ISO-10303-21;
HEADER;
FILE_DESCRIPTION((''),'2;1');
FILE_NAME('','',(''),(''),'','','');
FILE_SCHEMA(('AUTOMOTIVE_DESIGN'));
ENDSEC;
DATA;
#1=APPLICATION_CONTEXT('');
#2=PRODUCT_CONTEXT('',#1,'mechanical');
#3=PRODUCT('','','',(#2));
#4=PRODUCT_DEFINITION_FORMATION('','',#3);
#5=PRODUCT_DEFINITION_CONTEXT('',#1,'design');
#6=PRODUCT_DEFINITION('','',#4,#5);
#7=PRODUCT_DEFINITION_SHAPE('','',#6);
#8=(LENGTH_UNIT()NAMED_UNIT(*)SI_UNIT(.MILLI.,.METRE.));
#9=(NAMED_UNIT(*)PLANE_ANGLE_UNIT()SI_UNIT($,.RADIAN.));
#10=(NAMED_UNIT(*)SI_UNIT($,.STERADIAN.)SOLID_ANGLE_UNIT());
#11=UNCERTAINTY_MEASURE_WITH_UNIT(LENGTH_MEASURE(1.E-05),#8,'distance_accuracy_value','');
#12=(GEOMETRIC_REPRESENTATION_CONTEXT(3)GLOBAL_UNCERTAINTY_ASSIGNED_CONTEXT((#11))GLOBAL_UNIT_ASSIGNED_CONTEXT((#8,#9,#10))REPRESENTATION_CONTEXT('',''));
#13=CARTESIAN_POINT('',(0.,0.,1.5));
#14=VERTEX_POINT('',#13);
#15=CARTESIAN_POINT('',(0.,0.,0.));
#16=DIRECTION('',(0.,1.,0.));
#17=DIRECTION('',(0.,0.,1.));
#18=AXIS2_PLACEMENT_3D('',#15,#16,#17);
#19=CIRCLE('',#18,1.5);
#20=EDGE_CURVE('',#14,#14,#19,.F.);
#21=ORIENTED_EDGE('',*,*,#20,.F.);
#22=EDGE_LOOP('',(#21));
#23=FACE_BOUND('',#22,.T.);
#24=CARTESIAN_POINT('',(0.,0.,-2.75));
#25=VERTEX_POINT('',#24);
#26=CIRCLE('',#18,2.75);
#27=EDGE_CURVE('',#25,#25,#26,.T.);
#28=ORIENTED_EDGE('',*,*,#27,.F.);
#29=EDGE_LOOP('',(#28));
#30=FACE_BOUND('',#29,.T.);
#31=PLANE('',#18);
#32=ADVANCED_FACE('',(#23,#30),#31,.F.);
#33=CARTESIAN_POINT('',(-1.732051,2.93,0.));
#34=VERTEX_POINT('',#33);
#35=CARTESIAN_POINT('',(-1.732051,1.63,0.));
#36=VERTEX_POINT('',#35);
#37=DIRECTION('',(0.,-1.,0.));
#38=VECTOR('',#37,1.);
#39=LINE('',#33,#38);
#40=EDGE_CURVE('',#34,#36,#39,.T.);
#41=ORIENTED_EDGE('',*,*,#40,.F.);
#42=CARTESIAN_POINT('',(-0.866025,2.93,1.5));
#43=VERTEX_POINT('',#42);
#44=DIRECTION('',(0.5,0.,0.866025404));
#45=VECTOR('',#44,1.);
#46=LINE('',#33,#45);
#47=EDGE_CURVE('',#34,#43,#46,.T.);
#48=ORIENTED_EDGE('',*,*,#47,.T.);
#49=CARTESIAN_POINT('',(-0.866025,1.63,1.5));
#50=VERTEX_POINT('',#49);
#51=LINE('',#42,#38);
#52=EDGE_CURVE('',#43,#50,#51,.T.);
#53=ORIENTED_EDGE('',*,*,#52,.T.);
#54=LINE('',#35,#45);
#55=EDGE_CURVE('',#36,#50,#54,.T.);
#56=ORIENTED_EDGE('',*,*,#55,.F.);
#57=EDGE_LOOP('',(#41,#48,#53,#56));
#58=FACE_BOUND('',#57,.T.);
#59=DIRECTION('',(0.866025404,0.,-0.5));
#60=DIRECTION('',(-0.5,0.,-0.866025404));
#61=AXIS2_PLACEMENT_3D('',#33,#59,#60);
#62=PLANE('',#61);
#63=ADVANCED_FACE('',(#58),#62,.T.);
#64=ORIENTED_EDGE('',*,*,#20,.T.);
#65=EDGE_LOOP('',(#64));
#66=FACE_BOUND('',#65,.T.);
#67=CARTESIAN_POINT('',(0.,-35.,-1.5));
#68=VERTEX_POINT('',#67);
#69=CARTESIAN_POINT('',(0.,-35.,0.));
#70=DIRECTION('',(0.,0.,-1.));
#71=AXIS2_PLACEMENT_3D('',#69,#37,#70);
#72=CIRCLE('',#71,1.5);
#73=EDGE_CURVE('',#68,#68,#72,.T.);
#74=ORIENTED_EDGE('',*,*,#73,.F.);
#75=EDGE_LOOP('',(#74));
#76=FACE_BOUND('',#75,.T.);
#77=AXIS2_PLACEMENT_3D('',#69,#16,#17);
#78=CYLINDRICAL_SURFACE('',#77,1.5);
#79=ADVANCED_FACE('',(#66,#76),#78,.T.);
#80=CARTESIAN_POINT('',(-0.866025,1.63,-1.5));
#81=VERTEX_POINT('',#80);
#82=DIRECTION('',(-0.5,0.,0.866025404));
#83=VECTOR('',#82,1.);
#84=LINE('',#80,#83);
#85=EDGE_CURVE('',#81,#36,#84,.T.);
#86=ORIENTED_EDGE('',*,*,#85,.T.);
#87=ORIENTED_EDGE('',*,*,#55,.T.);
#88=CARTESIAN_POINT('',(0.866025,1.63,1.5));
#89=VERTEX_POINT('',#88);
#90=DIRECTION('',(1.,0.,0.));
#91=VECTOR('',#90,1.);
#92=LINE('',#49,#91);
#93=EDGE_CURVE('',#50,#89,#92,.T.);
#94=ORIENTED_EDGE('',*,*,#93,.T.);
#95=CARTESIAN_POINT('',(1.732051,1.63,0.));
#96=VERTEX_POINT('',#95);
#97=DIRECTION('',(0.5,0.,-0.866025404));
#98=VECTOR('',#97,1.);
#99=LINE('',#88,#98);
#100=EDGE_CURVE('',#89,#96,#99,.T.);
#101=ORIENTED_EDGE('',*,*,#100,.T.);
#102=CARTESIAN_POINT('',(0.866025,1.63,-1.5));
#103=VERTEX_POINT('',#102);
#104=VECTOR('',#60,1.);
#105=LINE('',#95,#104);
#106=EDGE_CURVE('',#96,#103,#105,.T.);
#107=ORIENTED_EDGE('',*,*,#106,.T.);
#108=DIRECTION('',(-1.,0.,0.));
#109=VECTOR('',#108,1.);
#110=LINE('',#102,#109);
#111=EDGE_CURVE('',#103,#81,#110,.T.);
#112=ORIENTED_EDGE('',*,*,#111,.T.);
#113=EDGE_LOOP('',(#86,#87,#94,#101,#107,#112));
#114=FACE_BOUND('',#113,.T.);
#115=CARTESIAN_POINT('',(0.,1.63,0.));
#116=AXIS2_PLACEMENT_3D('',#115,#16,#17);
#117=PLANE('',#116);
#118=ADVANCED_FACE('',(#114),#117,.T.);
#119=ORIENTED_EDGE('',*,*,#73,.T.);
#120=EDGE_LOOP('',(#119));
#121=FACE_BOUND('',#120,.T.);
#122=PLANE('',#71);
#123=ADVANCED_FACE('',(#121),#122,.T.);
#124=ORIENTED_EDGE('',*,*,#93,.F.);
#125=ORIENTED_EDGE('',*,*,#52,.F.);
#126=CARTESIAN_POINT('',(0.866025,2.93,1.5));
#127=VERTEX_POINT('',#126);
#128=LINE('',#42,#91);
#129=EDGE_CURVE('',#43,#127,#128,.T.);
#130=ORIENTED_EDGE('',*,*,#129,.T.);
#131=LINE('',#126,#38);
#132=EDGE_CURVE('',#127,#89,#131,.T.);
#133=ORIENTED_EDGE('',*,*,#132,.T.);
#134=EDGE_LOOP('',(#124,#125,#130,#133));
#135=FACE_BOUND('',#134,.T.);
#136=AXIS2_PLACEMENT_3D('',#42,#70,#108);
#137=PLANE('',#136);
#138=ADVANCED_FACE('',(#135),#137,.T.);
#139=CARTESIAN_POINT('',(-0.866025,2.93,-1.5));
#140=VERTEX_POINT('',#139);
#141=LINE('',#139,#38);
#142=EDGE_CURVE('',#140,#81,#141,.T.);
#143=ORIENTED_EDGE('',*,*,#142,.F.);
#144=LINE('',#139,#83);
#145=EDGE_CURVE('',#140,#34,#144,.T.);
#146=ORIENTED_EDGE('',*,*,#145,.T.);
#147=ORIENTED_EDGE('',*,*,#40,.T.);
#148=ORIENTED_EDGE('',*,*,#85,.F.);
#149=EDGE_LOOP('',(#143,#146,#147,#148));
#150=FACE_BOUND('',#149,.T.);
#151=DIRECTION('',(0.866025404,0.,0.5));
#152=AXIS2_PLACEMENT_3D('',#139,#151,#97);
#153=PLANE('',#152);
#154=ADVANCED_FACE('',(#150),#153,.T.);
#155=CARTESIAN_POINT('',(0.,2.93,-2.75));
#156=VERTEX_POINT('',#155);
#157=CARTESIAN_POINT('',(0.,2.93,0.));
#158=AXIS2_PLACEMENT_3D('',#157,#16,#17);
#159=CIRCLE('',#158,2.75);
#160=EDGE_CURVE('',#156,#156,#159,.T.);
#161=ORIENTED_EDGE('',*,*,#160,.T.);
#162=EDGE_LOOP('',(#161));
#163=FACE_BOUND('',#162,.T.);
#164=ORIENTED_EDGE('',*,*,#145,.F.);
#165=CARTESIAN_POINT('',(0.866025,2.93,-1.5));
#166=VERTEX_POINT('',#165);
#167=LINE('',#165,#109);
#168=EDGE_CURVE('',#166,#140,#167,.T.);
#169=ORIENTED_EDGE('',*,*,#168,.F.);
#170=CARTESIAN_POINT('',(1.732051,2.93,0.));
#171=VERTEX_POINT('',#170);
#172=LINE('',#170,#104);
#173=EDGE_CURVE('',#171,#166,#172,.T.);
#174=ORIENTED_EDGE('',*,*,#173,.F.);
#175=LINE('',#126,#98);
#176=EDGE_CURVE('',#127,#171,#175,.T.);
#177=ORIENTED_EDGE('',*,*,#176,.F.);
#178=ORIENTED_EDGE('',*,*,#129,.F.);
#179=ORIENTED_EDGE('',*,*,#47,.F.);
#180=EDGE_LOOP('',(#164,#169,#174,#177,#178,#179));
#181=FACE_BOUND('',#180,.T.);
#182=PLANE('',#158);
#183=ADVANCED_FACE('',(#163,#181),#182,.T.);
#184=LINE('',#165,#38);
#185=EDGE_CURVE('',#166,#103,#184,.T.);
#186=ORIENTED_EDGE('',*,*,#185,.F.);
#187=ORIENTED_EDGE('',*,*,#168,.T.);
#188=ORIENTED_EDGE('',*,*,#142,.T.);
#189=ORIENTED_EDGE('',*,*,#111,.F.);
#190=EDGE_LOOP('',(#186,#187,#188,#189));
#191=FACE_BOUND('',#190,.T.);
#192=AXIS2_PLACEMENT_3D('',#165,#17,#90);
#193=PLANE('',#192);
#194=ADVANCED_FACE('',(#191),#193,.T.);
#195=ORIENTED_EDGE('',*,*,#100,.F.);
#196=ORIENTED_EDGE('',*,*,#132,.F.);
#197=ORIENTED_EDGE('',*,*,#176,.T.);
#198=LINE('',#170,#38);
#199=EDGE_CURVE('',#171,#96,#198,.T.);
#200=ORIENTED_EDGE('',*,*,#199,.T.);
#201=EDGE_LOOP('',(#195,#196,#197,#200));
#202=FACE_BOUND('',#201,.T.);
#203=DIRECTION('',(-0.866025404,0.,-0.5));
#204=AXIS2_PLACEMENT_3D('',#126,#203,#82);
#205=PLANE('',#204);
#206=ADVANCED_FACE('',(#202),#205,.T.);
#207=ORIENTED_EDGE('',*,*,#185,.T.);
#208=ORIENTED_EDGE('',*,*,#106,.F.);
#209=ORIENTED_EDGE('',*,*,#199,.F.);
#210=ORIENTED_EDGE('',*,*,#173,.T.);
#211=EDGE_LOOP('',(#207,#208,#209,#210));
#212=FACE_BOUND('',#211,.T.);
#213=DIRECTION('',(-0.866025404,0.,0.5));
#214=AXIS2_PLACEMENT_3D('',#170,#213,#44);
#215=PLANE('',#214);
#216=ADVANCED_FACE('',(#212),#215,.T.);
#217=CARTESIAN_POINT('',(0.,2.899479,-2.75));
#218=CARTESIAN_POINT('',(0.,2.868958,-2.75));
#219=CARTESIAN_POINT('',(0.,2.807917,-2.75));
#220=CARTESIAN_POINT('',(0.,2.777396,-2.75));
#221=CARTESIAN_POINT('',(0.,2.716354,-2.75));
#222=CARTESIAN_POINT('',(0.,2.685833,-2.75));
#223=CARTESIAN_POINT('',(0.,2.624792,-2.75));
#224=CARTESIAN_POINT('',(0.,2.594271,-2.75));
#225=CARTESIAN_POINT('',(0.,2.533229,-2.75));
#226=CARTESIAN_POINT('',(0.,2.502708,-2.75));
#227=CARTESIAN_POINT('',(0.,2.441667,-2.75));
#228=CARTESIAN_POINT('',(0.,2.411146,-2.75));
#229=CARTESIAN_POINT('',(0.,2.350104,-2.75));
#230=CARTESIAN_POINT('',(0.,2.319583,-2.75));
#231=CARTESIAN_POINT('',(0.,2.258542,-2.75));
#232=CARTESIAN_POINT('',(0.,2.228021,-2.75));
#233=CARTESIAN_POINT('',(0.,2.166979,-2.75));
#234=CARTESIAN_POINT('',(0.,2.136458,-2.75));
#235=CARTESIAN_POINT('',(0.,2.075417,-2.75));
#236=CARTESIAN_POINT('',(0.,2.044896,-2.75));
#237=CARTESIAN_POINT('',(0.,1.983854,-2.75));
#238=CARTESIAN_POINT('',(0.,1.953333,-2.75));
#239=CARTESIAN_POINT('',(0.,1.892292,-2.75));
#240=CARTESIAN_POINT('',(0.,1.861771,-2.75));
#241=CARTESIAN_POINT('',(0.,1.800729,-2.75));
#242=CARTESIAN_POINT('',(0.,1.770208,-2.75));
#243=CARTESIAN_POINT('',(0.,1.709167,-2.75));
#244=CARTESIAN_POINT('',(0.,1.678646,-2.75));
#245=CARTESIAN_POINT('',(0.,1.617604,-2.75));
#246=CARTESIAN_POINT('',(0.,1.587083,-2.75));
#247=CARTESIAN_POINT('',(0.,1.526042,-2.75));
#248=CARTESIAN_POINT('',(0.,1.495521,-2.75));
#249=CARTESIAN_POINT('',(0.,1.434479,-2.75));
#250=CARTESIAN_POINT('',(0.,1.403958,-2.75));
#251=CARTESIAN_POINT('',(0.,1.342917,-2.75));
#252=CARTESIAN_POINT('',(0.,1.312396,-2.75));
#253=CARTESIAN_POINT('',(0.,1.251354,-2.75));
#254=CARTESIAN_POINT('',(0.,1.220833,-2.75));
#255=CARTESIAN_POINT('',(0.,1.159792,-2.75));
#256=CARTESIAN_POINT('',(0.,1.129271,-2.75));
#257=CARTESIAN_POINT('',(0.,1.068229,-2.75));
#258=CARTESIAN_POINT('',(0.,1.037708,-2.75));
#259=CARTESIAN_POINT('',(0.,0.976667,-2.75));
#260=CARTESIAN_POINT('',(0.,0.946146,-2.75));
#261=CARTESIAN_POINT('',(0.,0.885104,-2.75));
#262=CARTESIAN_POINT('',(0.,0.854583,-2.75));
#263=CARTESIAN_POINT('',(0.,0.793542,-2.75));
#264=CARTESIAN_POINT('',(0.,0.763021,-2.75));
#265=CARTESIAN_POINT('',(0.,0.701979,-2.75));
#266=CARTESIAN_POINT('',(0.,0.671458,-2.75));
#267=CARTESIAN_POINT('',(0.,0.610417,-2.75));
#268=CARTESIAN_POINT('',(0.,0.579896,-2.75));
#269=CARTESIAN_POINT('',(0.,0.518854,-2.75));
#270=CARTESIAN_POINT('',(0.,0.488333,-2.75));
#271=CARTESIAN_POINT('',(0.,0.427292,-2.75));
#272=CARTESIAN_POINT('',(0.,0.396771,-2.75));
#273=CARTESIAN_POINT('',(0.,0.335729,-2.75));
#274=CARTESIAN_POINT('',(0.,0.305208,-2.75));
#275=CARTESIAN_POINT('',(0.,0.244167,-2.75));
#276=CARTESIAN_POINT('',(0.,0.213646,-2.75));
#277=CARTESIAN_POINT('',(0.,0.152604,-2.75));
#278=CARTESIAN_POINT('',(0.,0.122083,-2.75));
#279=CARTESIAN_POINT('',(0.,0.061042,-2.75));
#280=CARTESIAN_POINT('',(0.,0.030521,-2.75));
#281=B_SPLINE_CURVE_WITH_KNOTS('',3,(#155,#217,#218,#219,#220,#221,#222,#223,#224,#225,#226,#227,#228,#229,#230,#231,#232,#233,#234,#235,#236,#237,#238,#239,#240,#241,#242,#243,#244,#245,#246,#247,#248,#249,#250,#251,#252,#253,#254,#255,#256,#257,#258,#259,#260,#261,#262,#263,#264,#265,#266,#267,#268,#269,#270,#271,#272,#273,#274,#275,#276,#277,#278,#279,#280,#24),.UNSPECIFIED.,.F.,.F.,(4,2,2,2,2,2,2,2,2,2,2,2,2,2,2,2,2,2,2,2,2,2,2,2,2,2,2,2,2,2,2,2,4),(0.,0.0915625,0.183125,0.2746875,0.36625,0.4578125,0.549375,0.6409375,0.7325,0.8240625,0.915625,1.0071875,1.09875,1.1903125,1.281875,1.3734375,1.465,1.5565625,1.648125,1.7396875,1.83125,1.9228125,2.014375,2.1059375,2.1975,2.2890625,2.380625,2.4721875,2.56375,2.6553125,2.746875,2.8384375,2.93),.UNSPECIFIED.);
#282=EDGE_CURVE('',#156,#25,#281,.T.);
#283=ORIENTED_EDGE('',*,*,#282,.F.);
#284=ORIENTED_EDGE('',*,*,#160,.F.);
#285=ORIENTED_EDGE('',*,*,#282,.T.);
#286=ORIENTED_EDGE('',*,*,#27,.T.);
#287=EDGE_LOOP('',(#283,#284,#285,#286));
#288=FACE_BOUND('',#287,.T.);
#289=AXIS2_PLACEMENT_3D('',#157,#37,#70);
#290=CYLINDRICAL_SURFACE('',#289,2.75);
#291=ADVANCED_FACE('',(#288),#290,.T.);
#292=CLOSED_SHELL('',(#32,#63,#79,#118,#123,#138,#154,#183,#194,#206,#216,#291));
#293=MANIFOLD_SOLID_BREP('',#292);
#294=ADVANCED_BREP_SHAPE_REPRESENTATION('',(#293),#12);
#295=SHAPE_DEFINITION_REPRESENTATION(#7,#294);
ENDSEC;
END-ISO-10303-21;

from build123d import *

# Parameters (mm, degrees)
SKETCH_1_R      = 2.75
EXTRUDE_1_DEPTH = 2.93
EXTRUDE_2_DEPTH = 1.63
SKETCH_2_R      = 1.5
EXTRUDE_3_DEPTH = 35


with BuildPart() as part:
    # 草图1 → 凸台-拉伸1 (new body)
    with BuildSketch(Plane(origin=(0, 0, 0), x_dir=(1, 0, 0), z_dir=(0, 1, 0))):
        with Locations(Location((0, 0, 0), (0, 0, 90))):
            Circle(SKETCH_1_R)
        Polygon((0.866025404, 1.5), (-0.866025404, 1.5), (-1.732050808, 0), (-0.866025404, -1.5), (0.866025404, -1.5), (1.732050808, 0), align=None, mode=Mode.SUBTRACT)
    extrude(amount=EXTRUDE_1_DEPTH)

    # 草图1<2> → 凸台-拉伸2 (add)
    with BuildSketch(Plane(origin=(0, 0, 0), x_dir=(1, 0, 0), z_dir=(0, 1, 0))):
        Polygon((0.866025404, 1.5), (-0.866025404, 1.5), (-1.732050808, 0), (-0.866025404, -1.5), (0.866025404, -1.5), (1.732050808, 0), align=None)
    extrude(amount=EXTRUDE_2_DEPTH)

    # 草图2 → 凸台-拉伸3 (add)
    with BuildSketch(Plane.XZ):
        with Locations(Location((0, 0, 0), (0, 0, 90))):
            Circle(SKETCH_2_R)
    extrude(amount=EXTRUDE_3_DEPTH)


solid = part.part
